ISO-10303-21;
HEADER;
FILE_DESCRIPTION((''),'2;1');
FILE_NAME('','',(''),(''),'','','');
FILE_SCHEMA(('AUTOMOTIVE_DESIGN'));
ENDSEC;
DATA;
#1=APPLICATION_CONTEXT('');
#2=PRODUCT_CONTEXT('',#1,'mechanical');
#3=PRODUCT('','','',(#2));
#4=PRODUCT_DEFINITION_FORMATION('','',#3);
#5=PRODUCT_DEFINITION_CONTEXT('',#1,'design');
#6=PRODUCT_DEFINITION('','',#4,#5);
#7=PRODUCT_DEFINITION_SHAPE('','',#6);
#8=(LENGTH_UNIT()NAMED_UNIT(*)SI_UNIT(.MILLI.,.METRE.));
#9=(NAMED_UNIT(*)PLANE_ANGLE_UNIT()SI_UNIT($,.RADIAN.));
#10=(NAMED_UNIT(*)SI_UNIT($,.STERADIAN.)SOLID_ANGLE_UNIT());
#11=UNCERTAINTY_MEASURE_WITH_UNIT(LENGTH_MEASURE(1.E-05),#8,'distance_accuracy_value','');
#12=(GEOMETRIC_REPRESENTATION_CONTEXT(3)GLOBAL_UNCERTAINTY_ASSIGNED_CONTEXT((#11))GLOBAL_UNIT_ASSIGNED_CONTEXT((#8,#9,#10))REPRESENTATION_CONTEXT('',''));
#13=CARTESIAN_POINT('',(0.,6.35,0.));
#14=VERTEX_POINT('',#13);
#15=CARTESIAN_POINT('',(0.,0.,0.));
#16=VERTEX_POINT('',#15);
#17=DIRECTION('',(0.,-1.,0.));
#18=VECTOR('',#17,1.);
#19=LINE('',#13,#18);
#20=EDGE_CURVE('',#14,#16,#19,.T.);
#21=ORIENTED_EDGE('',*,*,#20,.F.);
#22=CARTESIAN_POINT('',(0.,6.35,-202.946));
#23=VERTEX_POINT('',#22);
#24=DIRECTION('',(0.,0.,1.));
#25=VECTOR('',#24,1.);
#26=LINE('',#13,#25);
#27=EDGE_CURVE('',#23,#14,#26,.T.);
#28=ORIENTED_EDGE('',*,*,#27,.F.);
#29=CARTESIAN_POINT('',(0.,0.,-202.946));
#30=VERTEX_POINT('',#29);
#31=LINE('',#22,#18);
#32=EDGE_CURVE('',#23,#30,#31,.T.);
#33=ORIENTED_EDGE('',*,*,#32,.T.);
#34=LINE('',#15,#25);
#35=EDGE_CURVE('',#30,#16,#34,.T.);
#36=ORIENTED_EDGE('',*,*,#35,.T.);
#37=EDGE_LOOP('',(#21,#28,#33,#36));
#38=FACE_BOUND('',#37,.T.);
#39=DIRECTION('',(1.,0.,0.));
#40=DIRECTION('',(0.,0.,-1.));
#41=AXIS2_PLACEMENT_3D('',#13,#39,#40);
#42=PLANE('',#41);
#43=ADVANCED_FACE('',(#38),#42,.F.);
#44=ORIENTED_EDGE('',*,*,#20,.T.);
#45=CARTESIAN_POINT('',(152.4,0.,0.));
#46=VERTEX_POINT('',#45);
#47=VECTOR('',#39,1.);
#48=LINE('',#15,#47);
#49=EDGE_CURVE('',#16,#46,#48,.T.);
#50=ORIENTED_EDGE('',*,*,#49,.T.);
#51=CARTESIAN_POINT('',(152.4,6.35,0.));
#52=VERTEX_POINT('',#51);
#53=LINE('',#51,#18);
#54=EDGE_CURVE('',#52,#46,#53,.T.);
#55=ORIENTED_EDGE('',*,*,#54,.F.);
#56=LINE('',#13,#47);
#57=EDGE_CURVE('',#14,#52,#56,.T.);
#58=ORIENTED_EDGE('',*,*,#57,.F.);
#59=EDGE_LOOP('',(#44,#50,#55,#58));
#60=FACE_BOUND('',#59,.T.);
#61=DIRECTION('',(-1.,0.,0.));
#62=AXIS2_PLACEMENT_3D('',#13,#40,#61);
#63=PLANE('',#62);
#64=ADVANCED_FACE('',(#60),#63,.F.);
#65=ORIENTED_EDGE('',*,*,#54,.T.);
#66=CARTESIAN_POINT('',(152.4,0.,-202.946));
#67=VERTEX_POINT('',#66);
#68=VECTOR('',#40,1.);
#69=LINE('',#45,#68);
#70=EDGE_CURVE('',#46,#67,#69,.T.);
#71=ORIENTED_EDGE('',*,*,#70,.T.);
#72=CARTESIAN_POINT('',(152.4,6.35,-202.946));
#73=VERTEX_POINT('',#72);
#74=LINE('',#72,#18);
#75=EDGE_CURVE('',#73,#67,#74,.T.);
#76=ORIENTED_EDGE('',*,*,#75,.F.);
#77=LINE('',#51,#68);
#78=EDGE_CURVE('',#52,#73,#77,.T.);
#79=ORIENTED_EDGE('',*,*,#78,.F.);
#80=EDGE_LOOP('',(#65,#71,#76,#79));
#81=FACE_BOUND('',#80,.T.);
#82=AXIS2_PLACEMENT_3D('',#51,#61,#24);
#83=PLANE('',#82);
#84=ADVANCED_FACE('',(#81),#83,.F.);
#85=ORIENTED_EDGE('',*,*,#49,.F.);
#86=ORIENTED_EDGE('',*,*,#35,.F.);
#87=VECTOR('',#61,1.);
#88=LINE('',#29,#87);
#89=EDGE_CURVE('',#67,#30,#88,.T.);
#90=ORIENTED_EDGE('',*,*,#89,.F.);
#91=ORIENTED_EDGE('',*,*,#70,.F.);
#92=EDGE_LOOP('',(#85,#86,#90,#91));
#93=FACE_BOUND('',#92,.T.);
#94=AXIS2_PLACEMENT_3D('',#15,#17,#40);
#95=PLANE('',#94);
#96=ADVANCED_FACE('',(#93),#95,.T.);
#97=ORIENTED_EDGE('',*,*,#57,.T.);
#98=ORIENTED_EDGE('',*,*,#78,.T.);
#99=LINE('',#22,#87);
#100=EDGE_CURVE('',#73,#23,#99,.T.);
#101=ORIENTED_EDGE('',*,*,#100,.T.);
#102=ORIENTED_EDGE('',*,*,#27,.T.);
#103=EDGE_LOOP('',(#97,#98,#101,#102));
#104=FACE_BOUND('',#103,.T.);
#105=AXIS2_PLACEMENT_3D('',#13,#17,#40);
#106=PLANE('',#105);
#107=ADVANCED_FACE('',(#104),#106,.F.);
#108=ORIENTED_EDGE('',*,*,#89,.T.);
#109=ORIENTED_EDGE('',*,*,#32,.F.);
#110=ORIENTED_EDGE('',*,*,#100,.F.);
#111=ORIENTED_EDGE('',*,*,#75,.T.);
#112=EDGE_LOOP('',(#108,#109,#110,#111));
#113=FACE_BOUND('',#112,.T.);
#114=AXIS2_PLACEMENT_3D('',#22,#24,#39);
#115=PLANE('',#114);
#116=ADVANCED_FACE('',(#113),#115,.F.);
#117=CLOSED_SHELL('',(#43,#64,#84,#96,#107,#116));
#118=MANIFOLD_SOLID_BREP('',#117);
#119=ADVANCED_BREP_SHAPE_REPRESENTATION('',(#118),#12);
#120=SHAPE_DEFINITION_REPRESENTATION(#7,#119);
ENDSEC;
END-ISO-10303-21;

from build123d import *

# Parameters (mm, degrees)
SKETCH3_W           = 152.4
SKETCH3_H           = 202.946
BOSS_EXTRUDE1_DEPTH = 6.35


with BuildPart() as part:
    # Sketch3 → Boss-Extrude1 (new body)
    with BuildSketch(Plane(origin=(0, 0, 0), x_dir=(1, 0, 0), z_dir=(0, 1, 0))):
        with Locations((76.2, 101.473)):
            Rectangle(SKETCH3_W, SKETCH3_H)
    extrude(amount=BOSS_EXTRUDE1_DEPTH)


solid = part.part
